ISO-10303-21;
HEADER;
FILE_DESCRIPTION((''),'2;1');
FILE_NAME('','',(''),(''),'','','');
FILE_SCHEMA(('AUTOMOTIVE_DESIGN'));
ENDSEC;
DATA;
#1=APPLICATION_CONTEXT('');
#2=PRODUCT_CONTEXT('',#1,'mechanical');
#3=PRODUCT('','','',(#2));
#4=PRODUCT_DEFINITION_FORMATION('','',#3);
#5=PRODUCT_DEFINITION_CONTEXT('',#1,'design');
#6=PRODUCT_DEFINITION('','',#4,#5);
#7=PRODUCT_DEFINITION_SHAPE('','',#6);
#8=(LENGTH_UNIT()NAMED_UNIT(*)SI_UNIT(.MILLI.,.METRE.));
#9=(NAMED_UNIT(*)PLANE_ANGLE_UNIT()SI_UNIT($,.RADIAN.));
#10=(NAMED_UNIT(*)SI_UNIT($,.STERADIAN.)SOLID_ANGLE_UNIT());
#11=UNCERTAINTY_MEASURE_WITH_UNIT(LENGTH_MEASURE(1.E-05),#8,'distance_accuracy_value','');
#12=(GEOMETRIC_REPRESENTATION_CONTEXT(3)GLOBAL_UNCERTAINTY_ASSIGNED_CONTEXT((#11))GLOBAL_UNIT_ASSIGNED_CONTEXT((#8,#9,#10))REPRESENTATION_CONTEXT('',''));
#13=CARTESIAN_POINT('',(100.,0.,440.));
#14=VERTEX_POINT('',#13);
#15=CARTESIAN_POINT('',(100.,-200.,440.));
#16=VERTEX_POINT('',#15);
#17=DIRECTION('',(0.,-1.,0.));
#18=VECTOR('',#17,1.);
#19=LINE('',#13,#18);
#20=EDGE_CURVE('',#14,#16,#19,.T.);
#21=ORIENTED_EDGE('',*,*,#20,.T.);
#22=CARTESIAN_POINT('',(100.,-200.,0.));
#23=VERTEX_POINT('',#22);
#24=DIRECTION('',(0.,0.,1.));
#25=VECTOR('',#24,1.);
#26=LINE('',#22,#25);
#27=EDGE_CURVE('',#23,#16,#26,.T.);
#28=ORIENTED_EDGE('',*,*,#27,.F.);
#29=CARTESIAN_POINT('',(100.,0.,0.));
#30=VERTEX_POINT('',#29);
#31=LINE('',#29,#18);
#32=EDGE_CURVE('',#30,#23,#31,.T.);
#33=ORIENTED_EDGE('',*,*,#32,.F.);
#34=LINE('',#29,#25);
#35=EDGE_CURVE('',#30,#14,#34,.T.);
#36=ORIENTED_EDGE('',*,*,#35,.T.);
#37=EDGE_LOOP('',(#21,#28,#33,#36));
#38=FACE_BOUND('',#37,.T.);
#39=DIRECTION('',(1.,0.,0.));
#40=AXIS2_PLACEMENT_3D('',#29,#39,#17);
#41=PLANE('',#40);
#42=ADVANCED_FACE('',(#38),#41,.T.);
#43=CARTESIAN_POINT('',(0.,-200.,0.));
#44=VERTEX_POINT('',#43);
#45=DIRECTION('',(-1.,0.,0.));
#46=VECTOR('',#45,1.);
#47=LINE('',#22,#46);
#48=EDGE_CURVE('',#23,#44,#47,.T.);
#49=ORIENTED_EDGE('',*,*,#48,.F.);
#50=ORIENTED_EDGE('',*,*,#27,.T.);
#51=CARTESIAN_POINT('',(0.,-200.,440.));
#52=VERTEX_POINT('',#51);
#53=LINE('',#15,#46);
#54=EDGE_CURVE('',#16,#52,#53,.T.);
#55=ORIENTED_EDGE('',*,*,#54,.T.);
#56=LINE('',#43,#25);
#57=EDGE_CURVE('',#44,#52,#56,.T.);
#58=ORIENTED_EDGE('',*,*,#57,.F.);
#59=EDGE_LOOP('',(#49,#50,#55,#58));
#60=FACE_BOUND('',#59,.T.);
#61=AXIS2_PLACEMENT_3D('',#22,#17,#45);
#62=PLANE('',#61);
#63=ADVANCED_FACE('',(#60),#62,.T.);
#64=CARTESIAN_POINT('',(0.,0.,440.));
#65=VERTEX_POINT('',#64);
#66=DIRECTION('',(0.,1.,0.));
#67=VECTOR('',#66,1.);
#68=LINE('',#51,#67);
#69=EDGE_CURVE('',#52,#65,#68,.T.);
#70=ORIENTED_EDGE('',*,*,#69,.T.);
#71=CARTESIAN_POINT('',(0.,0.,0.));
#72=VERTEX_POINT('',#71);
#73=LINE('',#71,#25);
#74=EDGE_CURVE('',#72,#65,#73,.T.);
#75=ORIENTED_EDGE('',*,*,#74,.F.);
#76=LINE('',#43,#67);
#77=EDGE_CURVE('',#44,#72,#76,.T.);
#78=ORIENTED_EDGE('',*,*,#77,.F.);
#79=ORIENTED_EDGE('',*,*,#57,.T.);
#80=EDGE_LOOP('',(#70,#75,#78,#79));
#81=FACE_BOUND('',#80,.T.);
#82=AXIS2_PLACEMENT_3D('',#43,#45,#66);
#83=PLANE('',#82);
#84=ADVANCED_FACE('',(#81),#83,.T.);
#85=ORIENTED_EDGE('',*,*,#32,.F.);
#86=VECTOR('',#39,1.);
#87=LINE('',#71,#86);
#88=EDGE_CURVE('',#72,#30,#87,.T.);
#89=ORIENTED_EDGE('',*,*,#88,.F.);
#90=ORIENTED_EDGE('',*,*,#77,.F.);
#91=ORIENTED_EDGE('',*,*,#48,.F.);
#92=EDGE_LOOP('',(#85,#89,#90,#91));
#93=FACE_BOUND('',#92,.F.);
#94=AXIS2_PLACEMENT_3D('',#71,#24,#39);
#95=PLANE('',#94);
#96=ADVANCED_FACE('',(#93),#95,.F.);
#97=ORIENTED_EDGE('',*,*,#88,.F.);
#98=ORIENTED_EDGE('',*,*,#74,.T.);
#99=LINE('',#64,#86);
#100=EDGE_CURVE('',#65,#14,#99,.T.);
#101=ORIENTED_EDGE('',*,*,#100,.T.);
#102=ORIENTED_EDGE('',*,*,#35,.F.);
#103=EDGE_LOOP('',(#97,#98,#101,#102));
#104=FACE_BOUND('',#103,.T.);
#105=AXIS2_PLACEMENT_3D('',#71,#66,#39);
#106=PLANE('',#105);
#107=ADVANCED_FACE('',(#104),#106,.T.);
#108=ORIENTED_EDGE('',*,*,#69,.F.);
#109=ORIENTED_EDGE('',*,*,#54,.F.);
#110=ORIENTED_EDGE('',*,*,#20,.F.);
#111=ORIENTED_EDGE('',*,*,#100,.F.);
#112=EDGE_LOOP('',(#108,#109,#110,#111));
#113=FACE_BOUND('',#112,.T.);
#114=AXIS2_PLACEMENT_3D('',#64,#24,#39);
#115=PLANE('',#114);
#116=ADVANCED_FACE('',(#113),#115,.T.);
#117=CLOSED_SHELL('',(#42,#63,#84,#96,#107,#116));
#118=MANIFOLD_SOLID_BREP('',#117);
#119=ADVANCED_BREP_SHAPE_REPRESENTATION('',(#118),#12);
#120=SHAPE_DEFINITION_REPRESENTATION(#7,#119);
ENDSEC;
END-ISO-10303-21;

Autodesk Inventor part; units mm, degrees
ref_plane "YZ Plane" through (0, 0, 0) normal (1, 0, 0) x (0, 1, 0)
ref_plane "XZ Plane" through (0, 0, 0) normal (0, 1, 0) x (-1, 0, 0)
ref_plane "XY Plane" through (0, 0, 0) normal (0, 0, 1) x (1, 0, 0)
sketch "Sketch1" plane through (0, 0, 0) normal (0, 0, 1) x (1, 0, 0)
  line L0 (0, 0) -> (100, 0)
  line L1 (100, 0) -> (100, -200)
  line L2 (100, -200) -> (0, -200)
  line L3 (0, -200) -> (0, 0)
  dimension "d0" = 100
  dimension "d1" = 200
extrude "Extrusion1" add sketch "Sketch1" along normal blind 440
properties part number "Termalica_60x20x10cm"
